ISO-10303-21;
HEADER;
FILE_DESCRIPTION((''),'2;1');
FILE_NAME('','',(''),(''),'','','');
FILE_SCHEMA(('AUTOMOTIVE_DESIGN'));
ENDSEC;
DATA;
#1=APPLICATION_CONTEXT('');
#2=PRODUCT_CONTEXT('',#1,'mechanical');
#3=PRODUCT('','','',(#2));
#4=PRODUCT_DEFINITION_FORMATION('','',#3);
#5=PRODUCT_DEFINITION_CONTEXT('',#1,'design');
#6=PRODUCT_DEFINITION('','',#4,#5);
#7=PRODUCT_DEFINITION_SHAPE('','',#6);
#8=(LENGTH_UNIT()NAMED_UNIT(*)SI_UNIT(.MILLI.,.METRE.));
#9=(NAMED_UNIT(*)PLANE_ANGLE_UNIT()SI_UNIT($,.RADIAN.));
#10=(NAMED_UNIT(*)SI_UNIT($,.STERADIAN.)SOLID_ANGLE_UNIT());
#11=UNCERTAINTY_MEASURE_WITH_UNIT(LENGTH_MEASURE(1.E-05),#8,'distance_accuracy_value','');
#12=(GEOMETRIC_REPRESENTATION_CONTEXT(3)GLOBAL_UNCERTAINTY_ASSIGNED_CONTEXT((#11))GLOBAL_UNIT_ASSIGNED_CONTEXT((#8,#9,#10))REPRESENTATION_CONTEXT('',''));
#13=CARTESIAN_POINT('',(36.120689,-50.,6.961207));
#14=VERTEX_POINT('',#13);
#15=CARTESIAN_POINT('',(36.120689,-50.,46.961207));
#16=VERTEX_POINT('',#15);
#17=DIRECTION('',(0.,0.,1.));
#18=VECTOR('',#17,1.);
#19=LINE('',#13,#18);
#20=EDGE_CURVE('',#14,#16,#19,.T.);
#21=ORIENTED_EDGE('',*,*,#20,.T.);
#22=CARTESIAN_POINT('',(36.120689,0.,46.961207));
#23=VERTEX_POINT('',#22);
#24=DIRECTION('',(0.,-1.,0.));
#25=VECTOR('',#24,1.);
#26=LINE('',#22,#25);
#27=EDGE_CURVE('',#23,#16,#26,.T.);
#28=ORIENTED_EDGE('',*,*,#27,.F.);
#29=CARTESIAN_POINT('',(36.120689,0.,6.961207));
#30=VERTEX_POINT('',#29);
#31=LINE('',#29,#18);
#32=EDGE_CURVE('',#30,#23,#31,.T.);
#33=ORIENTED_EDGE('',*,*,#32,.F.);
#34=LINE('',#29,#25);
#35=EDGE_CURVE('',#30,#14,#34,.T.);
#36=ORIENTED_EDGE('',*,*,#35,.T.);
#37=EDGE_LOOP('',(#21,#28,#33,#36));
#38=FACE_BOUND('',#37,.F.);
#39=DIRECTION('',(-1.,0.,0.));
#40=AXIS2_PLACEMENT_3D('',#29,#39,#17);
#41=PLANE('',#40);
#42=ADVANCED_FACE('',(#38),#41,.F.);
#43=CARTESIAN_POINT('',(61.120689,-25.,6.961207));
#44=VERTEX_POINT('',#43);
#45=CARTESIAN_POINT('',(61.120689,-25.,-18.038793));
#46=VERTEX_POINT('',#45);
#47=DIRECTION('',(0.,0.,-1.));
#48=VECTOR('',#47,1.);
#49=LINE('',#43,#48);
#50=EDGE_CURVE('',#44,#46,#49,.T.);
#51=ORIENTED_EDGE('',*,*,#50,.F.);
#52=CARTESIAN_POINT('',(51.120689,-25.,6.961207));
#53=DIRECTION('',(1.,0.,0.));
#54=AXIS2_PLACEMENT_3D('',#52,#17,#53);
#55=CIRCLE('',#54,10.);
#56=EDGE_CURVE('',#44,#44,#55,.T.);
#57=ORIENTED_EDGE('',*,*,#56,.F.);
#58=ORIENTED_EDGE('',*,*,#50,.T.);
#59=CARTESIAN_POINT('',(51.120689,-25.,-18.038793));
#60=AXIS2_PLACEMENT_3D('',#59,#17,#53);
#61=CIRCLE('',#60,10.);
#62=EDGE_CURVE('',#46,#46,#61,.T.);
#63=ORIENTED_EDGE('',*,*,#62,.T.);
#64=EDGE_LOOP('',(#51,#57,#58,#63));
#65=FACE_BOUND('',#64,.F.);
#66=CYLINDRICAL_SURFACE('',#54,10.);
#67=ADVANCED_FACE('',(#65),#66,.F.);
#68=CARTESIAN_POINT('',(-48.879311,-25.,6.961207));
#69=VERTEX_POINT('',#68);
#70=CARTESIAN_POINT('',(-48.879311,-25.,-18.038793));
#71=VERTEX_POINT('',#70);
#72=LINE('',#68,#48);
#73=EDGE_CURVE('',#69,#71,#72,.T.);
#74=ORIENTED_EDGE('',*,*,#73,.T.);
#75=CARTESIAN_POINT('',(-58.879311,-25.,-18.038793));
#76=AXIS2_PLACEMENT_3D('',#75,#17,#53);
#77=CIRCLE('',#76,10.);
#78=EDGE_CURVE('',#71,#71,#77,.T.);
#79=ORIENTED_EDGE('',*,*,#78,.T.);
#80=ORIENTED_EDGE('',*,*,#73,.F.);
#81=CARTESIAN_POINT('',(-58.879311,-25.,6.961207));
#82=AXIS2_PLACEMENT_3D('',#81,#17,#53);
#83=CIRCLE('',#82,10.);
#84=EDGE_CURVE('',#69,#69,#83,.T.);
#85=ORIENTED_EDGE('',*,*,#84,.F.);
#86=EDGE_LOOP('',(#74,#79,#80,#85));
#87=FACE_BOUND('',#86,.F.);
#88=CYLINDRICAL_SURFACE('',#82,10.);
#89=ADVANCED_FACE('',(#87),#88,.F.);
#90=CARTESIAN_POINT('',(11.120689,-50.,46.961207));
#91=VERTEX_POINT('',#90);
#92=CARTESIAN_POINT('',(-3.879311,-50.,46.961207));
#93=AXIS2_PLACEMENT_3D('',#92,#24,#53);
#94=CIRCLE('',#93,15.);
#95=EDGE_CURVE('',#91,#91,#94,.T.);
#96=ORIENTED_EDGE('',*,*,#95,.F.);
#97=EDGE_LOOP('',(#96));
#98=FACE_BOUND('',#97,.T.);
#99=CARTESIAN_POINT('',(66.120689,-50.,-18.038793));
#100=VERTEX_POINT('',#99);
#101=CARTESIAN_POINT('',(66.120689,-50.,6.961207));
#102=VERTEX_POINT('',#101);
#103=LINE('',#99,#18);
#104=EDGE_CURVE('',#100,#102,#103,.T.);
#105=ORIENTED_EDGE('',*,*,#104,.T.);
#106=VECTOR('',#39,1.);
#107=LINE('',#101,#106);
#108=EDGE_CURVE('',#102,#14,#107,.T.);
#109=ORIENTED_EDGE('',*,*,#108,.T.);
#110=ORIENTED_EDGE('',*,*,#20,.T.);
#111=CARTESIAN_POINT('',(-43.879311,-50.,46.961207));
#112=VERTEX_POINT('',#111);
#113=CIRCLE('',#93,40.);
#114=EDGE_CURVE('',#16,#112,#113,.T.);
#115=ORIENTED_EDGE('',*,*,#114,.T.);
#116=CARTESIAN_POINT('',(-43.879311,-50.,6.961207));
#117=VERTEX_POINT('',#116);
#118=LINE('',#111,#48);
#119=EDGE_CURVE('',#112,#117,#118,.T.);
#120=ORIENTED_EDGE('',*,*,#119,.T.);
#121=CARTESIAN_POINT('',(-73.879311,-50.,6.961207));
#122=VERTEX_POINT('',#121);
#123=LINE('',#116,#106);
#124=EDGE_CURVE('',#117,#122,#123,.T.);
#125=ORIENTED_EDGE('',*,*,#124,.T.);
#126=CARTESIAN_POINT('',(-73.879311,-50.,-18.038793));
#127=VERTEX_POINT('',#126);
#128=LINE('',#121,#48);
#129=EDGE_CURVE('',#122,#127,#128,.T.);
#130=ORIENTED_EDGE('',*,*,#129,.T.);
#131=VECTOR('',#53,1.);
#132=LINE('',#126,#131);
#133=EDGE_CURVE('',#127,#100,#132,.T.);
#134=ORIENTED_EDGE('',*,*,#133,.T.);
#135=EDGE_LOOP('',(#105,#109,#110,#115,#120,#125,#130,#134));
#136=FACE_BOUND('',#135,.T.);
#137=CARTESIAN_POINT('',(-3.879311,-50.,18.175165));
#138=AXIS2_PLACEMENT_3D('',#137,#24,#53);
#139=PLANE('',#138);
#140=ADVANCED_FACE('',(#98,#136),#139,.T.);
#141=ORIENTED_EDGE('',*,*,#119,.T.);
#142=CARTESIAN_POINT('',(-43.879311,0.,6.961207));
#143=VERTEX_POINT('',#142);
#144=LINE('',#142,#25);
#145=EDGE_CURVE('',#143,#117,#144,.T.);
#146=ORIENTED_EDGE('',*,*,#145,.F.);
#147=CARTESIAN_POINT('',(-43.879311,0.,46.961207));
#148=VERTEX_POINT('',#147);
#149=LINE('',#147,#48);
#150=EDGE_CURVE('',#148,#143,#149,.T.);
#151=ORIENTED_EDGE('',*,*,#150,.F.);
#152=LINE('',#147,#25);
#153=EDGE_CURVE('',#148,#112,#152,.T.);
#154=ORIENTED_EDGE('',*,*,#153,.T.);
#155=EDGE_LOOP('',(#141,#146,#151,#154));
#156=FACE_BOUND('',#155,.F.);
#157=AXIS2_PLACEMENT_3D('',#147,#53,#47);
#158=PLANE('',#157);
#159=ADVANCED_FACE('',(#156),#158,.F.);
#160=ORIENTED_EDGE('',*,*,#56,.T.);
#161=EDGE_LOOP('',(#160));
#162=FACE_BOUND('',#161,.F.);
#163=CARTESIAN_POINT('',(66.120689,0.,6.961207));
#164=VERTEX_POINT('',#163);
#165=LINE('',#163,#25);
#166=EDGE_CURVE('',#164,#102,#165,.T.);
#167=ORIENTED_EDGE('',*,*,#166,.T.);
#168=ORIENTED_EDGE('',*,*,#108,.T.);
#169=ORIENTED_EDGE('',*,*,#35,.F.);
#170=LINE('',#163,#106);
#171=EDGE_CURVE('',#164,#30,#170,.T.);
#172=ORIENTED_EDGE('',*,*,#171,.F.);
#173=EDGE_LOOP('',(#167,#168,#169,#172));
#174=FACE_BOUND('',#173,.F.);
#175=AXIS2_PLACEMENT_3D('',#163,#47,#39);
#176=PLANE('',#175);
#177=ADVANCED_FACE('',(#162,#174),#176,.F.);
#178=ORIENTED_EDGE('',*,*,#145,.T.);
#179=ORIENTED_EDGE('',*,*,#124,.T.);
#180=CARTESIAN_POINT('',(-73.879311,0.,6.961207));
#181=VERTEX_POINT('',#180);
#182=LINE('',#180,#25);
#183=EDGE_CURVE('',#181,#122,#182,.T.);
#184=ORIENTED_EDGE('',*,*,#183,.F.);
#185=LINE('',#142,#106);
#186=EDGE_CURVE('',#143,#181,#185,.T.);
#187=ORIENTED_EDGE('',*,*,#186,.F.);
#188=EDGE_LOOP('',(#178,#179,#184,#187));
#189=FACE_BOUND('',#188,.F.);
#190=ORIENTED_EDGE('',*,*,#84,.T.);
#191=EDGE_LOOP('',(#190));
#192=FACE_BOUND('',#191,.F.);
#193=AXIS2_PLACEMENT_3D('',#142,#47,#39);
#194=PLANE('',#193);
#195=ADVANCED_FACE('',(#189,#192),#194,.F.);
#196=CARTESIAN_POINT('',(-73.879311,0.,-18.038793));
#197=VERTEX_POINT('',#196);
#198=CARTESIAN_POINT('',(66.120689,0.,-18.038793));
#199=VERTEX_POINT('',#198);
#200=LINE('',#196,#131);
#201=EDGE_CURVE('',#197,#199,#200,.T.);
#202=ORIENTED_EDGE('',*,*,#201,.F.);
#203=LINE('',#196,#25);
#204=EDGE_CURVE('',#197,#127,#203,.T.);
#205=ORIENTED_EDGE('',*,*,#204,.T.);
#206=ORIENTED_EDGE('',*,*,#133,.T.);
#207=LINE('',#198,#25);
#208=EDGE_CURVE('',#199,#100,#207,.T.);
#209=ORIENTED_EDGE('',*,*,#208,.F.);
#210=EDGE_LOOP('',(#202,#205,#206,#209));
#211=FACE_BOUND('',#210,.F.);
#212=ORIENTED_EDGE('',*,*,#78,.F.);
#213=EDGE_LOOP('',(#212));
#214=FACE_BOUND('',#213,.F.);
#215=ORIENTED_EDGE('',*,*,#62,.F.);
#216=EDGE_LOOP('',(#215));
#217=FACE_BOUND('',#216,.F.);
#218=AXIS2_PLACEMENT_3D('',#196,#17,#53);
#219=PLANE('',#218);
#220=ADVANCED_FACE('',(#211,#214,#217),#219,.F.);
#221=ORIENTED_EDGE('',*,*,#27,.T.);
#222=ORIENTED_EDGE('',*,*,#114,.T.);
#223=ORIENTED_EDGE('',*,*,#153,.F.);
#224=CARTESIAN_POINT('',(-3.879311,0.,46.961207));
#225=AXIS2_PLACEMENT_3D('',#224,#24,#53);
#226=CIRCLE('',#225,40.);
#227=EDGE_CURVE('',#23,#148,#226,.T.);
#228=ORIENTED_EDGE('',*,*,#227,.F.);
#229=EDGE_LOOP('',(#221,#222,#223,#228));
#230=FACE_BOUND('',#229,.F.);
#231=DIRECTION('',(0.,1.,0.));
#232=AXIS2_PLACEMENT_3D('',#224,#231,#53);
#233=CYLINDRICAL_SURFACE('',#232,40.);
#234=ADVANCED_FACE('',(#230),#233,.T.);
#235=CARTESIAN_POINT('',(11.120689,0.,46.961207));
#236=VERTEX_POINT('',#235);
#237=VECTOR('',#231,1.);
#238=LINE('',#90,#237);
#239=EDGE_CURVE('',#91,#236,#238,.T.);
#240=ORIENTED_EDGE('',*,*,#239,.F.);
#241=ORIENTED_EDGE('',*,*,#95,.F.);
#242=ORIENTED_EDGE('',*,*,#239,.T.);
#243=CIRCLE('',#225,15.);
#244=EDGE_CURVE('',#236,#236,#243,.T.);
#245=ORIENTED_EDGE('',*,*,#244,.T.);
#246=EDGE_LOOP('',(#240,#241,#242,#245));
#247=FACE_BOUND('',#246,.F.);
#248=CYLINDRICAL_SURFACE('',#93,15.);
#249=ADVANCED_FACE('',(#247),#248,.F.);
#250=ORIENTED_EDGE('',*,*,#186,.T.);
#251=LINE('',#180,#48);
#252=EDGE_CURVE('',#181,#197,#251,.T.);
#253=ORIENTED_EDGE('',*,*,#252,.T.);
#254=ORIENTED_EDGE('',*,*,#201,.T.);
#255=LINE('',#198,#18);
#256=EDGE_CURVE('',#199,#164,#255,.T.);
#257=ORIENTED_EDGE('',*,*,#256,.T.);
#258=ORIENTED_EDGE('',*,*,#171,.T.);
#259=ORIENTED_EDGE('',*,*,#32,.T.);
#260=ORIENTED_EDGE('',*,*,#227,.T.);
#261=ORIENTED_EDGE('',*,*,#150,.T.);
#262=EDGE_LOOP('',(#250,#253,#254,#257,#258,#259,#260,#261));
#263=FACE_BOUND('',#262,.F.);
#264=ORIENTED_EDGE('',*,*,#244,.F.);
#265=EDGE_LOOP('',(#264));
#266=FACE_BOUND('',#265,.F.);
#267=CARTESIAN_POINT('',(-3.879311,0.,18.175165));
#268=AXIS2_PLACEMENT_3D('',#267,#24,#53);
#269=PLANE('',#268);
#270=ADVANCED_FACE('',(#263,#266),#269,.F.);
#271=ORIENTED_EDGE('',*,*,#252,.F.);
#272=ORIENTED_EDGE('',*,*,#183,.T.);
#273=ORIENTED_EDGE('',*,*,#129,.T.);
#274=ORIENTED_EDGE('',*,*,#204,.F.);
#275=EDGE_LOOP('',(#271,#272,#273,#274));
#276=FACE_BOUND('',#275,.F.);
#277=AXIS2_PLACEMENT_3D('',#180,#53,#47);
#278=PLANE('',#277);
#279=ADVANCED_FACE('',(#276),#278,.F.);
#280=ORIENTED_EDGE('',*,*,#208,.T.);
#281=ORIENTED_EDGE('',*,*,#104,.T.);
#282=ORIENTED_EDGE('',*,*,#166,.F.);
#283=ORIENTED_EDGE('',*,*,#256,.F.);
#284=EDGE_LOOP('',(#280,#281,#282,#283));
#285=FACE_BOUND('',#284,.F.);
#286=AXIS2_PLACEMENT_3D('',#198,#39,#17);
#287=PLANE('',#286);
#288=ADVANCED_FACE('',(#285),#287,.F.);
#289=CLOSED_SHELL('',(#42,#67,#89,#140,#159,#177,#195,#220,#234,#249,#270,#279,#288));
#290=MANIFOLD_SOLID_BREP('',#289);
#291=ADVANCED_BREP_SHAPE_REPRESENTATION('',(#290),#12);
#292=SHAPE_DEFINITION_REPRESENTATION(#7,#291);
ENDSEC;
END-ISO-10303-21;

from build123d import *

# Parameters (mm, degrees)
F1_DEPTH = 50
F2_R     = 15
F3_DEPTH = 50
F4_R     = 10
F5_DEPTH = 25
F6_R     = 10
F7_DEPTH = 25


with BuildPart() as f1:
    # F0 (on Front) → F1 (new body)
    with BuildSketch(Plane.XZ):
        with BuildLine():
            Line((-73.879311, 6.961207), (-73.879311, -18.038793))
            Line((-73.879311, -18.038793), (66.120689, -18.038793))
            Line((66.120689, -18.038793), (66.120689, 6.961207))
            Line((66.120689, 6.961207), (36.120689, 6.961207))
            Line((36.120689, 6.961207), (36.120689, 46.961207))
            ThreePointArc((36.120689, 46.961207), (-3.879311, 86.961207), (-43.879311, 46.961207))
            Line((-43.879311, 46.961207), (-43.879311, 6.961207))
            Line((-43.879311, 6.961207), (-73.879311, 6.961207))
        make_face()
    extrude(amount=F1_DEPTH)

    # F2 (on face) → F3 (cut)
    with BuildSketch(Plane.XZ.offset(50)):
        with Locations((-3.879311, 46.961207)):
            Circle(F2_R)
    extrude(amount=-F3_DEPTH, mode=Mode.SUBTRACT)

    # F4 (on face) → F5 (cut)
    with BuildSketch(Plane.XY.offset(6.961207)):
        with Locations((-58.879311, -25)):
            Circle(F4_R)
    extrude(amount=-F5_DEPTH, mode=Mode.SUBTRACT)

    # F6 (on face) → F7 (cut)
    with BuildSketch(Plane.XY.offset(6.961207)):
        with Locations((51.120689, -25)):
            Circle(F6_R)
    extrude(amount=-F7_DEPTH, mode=Mode.SUBTRACT)


solid = f1.part
